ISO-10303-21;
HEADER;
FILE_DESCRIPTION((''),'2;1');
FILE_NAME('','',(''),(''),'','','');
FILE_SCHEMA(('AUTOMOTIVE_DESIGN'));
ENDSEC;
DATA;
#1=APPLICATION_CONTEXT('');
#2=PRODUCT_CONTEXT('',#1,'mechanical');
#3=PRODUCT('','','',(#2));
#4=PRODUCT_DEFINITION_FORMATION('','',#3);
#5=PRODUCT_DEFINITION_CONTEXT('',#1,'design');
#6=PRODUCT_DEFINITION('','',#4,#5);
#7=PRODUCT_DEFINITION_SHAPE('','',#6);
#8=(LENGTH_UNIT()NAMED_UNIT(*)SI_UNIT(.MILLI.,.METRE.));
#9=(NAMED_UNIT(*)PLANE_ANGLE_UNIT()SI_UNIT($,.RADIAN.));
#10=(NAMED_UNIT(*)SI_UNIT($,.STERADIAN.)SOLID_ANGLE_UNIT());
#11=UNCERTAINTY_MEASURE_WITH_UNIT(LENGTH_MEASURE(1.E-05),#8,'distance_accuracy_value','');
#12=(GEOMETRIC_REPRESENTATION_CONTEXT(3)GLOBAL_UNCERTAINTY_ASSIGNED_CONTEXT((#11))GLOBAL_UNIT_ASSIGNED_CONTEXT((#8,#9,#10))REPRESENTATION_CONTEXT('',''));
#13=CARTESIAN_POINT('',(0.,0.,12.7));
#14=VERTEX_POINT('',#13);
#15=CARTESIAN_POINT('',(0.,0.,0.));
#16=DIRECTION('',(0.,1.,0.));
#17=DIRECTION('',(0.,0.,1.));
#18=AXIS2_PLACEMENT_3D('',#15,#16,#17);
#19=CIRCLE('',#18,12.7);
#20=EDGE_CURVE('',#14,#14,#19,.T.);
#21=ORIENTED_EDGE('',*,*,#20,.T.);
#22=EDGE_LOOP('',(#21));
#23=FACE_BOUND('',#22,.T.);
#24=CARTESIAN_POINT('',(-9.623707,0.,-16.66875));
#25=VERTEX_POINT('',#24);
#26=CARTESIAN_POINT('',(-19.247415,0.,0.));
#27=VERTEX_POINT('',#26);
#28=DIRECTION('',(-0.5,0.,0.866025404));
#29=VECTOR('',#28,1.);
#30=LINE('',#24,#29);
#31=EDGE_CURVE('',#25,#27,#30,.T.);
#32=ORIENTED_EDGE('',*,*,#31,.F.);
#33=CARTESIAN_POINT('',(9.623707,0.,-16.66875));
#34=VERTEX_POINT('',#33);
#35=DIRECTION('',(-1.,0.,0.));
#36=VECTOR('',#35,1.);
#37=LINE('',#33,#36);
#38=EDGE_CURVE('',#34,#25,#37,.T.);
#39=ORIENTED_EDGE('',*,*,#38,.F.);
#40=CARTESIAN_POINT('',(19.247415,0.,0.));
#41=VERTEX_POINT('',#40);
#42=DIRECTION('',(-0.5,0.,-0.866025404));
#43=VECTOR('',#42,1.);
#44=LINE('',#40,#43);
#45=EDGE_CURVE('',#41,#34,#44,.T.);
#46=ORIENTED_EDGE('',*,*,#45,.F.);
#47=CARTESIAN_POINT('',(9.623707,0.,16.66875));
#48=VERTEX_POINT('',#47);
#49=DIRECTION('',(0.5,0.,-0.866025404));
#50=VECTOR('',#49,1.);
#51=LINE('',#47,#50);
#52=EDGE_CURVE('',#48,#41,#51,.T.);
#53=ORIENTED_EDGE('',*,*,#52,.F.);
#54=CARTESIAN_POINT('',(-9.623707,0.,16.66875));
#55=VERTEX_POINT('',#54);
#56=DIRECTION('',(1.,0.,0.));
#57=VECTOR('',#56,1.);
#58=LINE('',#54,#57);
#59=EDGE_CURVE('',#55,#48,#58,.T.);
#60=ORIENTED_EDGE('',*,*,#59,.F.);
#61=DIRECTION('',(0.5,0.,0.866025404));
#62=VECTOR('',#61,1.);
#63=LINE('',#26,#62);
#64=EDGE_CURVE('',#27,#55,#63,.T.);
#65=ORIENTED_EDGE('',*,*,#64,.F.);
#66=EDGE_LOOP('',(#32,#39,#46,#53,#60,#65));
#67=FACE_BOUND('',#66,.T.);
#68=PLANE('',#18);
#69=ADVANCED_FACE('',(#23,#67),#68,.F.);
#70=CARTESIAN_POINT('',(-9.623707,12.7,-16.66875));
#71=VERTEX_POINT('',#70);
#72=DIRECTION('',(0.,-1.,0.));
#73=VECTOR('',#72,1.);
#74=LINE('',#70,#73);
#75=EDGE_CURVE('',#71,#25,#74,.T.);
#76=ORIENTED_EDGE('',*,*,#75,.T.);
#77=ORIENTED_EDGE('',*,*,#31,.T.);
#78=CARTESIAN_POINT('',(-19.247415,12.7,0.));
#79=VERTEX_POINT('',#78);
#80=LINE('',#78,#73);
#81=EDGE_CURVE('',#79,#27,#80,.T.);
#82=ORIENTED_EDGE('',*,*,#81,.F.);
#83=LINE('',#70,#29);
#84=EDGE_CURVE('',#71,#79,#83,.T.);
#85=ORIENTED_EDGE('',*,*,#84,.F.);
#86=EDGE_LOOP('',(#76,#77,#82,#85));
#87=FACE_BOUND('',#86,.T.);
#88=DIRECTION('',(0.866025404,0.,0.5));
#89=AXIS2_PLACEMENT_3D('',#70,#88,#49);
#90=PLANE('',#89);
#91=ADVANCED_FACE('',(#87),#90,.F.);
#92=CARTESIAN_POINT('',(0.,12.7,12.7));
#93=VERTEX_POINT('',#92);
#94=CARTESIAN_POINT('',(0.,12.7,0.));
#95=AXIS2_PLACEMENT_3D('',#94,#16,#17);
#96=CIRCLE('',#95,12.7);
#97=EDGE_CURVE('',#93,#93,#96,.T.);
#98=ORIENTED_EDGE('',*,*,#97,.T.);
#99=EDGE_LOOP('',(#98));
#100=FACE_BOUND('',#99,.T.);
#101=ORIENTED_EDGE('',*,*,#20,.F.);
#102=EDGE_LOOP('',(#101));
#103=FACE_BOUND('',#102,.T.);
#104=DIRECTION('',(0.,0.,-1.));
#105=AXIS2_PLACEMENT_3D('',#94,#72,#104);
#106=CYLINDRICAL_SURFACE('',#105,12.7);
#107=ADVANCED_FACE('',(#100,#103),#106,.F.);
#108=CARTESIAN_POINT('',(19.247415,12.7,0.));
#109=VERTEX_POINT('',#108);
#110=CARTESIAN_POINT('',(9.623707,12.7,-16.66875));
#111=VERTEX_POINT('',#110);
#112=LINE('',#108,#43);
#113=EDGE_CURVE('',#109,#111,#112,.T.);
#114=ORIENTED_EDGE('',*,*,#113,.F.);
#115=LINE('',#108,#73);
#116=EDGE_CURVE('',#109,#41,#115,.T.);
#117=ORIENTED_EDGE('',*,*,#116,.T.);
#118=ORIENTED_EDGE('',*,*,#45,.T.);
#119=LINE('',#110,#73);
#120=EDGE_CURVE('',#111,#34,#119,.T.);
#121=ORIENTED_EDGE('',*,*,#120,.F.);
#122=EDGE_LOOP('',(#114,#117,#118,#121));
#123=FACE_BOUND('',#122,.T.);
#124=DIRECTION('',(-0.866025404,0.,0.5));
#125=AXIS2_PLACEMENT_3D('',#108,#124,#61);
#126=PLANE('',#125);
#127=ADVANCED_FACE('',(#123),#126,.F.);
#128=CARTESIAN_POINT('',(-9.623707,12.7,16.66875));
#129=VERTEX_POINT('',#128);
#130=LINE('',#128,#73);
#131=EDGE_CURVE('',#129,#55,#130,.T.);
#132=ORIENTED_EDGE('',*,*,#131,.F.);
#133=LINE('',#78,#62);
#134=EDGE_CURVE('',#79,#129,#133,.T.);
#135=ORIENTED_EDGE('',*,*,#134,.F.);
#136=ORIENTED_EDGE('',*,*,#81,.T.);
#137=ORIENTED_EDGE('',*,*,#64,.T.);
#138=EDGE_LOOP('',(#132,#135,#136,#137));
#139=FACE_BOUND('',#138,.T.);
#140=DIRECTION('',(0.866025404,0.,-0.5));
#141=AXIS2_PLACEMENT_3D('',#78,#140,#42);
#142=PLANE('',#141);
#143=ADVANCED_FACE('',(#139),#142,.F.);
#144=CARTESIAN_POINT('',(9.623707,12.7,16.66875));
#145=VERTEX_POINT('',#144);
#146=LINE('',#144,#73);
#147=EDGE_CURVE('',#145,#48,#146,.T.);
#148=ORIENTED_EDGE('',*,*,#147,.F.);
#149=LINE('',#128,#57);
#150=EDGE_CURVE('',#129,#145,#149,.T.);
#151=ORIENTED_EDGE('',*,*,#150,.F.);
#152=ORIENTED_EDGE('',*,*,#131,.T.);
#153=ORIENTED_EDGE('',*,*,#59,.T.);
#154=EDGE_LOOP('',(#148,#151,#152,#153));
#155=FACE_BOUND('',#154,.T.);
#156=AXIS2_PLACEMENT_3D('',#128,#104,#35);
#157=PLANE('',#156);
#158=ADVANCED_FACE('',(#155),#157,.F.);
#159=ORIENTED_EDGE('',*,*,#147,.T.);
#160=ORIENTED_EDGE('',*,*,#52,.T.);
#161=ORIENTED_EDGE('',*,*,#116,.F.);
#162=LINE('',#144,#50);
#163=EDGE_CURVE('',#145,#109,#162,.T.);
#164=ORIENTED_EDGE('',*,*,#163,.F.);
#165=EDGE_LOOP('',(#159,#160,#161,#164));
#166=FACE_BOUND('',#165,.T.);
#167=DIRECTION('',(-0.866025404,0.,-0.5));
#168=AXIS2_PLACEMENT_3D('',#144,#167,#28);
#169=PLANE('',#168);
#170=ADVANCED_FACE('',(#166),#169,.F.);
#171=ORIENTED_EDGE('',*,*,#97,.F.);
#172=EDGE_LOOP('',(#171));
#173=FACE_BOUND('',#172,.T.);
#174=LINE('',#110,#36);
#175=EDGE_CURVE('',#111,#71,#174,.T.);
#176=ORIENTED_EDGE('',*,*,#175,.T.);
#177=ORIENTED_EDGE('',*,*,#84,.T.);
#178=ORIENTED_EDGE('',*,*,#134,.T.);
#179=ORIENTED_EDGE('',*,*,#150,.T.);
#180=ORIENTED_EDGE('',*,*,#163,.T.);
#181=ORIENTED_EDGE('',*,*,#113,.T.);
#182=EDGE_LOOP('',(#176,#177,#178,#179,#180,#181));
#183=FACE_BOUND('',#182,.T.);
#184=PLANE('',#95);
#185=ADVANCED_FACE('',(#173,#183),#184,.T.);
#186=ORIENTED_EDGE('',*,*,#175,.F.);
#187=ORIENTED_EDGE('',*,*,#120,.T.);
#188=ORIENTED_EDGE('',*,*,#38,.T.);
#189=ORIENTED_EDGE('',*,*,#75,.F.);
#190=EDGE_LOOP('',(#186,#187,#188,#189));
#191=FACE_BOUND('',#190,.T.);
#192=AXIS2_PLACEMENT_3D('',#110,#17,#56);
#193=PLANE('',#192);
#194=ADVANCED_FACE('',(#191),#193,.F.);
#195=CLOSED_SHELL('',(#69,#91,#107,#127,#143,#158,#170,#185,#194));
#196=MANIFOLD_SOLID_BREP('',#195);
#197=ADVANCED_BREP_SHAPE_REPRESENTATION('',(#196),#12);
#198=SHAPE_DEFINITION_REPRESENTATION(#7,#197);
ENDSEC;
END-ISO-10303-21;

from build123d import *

# Parameters (mm, degrees)
SKETCH1_R           = 12.7
BOSS_EXTRUDE1_DEPTH = 12.7


with BuildPart() as part:
    # Sketch1 → Boss-Extrude1 (new body)
    with BuildSketch(Plane(origin=(0, 0, 0), x_dir=(1, 0, 0), z_dir=(0, 1, 0))):
        Polygon((19.247414599, 0), (9.6237073, 16.66875), (-9.6237073, 16.66875), (-19.247414599, 0), (-9.6237073, -16.66875), (9.6237073, -16.66875), align=None)
        with Locations(Location((0, 0, 0), (0, 0, 270))):
            Circle(SKETCH1_R, mode=Mode.SUBTRACT)
    extrude(amount=BOSS_EXTRUDE1_DEPTH)


solid = part.part
